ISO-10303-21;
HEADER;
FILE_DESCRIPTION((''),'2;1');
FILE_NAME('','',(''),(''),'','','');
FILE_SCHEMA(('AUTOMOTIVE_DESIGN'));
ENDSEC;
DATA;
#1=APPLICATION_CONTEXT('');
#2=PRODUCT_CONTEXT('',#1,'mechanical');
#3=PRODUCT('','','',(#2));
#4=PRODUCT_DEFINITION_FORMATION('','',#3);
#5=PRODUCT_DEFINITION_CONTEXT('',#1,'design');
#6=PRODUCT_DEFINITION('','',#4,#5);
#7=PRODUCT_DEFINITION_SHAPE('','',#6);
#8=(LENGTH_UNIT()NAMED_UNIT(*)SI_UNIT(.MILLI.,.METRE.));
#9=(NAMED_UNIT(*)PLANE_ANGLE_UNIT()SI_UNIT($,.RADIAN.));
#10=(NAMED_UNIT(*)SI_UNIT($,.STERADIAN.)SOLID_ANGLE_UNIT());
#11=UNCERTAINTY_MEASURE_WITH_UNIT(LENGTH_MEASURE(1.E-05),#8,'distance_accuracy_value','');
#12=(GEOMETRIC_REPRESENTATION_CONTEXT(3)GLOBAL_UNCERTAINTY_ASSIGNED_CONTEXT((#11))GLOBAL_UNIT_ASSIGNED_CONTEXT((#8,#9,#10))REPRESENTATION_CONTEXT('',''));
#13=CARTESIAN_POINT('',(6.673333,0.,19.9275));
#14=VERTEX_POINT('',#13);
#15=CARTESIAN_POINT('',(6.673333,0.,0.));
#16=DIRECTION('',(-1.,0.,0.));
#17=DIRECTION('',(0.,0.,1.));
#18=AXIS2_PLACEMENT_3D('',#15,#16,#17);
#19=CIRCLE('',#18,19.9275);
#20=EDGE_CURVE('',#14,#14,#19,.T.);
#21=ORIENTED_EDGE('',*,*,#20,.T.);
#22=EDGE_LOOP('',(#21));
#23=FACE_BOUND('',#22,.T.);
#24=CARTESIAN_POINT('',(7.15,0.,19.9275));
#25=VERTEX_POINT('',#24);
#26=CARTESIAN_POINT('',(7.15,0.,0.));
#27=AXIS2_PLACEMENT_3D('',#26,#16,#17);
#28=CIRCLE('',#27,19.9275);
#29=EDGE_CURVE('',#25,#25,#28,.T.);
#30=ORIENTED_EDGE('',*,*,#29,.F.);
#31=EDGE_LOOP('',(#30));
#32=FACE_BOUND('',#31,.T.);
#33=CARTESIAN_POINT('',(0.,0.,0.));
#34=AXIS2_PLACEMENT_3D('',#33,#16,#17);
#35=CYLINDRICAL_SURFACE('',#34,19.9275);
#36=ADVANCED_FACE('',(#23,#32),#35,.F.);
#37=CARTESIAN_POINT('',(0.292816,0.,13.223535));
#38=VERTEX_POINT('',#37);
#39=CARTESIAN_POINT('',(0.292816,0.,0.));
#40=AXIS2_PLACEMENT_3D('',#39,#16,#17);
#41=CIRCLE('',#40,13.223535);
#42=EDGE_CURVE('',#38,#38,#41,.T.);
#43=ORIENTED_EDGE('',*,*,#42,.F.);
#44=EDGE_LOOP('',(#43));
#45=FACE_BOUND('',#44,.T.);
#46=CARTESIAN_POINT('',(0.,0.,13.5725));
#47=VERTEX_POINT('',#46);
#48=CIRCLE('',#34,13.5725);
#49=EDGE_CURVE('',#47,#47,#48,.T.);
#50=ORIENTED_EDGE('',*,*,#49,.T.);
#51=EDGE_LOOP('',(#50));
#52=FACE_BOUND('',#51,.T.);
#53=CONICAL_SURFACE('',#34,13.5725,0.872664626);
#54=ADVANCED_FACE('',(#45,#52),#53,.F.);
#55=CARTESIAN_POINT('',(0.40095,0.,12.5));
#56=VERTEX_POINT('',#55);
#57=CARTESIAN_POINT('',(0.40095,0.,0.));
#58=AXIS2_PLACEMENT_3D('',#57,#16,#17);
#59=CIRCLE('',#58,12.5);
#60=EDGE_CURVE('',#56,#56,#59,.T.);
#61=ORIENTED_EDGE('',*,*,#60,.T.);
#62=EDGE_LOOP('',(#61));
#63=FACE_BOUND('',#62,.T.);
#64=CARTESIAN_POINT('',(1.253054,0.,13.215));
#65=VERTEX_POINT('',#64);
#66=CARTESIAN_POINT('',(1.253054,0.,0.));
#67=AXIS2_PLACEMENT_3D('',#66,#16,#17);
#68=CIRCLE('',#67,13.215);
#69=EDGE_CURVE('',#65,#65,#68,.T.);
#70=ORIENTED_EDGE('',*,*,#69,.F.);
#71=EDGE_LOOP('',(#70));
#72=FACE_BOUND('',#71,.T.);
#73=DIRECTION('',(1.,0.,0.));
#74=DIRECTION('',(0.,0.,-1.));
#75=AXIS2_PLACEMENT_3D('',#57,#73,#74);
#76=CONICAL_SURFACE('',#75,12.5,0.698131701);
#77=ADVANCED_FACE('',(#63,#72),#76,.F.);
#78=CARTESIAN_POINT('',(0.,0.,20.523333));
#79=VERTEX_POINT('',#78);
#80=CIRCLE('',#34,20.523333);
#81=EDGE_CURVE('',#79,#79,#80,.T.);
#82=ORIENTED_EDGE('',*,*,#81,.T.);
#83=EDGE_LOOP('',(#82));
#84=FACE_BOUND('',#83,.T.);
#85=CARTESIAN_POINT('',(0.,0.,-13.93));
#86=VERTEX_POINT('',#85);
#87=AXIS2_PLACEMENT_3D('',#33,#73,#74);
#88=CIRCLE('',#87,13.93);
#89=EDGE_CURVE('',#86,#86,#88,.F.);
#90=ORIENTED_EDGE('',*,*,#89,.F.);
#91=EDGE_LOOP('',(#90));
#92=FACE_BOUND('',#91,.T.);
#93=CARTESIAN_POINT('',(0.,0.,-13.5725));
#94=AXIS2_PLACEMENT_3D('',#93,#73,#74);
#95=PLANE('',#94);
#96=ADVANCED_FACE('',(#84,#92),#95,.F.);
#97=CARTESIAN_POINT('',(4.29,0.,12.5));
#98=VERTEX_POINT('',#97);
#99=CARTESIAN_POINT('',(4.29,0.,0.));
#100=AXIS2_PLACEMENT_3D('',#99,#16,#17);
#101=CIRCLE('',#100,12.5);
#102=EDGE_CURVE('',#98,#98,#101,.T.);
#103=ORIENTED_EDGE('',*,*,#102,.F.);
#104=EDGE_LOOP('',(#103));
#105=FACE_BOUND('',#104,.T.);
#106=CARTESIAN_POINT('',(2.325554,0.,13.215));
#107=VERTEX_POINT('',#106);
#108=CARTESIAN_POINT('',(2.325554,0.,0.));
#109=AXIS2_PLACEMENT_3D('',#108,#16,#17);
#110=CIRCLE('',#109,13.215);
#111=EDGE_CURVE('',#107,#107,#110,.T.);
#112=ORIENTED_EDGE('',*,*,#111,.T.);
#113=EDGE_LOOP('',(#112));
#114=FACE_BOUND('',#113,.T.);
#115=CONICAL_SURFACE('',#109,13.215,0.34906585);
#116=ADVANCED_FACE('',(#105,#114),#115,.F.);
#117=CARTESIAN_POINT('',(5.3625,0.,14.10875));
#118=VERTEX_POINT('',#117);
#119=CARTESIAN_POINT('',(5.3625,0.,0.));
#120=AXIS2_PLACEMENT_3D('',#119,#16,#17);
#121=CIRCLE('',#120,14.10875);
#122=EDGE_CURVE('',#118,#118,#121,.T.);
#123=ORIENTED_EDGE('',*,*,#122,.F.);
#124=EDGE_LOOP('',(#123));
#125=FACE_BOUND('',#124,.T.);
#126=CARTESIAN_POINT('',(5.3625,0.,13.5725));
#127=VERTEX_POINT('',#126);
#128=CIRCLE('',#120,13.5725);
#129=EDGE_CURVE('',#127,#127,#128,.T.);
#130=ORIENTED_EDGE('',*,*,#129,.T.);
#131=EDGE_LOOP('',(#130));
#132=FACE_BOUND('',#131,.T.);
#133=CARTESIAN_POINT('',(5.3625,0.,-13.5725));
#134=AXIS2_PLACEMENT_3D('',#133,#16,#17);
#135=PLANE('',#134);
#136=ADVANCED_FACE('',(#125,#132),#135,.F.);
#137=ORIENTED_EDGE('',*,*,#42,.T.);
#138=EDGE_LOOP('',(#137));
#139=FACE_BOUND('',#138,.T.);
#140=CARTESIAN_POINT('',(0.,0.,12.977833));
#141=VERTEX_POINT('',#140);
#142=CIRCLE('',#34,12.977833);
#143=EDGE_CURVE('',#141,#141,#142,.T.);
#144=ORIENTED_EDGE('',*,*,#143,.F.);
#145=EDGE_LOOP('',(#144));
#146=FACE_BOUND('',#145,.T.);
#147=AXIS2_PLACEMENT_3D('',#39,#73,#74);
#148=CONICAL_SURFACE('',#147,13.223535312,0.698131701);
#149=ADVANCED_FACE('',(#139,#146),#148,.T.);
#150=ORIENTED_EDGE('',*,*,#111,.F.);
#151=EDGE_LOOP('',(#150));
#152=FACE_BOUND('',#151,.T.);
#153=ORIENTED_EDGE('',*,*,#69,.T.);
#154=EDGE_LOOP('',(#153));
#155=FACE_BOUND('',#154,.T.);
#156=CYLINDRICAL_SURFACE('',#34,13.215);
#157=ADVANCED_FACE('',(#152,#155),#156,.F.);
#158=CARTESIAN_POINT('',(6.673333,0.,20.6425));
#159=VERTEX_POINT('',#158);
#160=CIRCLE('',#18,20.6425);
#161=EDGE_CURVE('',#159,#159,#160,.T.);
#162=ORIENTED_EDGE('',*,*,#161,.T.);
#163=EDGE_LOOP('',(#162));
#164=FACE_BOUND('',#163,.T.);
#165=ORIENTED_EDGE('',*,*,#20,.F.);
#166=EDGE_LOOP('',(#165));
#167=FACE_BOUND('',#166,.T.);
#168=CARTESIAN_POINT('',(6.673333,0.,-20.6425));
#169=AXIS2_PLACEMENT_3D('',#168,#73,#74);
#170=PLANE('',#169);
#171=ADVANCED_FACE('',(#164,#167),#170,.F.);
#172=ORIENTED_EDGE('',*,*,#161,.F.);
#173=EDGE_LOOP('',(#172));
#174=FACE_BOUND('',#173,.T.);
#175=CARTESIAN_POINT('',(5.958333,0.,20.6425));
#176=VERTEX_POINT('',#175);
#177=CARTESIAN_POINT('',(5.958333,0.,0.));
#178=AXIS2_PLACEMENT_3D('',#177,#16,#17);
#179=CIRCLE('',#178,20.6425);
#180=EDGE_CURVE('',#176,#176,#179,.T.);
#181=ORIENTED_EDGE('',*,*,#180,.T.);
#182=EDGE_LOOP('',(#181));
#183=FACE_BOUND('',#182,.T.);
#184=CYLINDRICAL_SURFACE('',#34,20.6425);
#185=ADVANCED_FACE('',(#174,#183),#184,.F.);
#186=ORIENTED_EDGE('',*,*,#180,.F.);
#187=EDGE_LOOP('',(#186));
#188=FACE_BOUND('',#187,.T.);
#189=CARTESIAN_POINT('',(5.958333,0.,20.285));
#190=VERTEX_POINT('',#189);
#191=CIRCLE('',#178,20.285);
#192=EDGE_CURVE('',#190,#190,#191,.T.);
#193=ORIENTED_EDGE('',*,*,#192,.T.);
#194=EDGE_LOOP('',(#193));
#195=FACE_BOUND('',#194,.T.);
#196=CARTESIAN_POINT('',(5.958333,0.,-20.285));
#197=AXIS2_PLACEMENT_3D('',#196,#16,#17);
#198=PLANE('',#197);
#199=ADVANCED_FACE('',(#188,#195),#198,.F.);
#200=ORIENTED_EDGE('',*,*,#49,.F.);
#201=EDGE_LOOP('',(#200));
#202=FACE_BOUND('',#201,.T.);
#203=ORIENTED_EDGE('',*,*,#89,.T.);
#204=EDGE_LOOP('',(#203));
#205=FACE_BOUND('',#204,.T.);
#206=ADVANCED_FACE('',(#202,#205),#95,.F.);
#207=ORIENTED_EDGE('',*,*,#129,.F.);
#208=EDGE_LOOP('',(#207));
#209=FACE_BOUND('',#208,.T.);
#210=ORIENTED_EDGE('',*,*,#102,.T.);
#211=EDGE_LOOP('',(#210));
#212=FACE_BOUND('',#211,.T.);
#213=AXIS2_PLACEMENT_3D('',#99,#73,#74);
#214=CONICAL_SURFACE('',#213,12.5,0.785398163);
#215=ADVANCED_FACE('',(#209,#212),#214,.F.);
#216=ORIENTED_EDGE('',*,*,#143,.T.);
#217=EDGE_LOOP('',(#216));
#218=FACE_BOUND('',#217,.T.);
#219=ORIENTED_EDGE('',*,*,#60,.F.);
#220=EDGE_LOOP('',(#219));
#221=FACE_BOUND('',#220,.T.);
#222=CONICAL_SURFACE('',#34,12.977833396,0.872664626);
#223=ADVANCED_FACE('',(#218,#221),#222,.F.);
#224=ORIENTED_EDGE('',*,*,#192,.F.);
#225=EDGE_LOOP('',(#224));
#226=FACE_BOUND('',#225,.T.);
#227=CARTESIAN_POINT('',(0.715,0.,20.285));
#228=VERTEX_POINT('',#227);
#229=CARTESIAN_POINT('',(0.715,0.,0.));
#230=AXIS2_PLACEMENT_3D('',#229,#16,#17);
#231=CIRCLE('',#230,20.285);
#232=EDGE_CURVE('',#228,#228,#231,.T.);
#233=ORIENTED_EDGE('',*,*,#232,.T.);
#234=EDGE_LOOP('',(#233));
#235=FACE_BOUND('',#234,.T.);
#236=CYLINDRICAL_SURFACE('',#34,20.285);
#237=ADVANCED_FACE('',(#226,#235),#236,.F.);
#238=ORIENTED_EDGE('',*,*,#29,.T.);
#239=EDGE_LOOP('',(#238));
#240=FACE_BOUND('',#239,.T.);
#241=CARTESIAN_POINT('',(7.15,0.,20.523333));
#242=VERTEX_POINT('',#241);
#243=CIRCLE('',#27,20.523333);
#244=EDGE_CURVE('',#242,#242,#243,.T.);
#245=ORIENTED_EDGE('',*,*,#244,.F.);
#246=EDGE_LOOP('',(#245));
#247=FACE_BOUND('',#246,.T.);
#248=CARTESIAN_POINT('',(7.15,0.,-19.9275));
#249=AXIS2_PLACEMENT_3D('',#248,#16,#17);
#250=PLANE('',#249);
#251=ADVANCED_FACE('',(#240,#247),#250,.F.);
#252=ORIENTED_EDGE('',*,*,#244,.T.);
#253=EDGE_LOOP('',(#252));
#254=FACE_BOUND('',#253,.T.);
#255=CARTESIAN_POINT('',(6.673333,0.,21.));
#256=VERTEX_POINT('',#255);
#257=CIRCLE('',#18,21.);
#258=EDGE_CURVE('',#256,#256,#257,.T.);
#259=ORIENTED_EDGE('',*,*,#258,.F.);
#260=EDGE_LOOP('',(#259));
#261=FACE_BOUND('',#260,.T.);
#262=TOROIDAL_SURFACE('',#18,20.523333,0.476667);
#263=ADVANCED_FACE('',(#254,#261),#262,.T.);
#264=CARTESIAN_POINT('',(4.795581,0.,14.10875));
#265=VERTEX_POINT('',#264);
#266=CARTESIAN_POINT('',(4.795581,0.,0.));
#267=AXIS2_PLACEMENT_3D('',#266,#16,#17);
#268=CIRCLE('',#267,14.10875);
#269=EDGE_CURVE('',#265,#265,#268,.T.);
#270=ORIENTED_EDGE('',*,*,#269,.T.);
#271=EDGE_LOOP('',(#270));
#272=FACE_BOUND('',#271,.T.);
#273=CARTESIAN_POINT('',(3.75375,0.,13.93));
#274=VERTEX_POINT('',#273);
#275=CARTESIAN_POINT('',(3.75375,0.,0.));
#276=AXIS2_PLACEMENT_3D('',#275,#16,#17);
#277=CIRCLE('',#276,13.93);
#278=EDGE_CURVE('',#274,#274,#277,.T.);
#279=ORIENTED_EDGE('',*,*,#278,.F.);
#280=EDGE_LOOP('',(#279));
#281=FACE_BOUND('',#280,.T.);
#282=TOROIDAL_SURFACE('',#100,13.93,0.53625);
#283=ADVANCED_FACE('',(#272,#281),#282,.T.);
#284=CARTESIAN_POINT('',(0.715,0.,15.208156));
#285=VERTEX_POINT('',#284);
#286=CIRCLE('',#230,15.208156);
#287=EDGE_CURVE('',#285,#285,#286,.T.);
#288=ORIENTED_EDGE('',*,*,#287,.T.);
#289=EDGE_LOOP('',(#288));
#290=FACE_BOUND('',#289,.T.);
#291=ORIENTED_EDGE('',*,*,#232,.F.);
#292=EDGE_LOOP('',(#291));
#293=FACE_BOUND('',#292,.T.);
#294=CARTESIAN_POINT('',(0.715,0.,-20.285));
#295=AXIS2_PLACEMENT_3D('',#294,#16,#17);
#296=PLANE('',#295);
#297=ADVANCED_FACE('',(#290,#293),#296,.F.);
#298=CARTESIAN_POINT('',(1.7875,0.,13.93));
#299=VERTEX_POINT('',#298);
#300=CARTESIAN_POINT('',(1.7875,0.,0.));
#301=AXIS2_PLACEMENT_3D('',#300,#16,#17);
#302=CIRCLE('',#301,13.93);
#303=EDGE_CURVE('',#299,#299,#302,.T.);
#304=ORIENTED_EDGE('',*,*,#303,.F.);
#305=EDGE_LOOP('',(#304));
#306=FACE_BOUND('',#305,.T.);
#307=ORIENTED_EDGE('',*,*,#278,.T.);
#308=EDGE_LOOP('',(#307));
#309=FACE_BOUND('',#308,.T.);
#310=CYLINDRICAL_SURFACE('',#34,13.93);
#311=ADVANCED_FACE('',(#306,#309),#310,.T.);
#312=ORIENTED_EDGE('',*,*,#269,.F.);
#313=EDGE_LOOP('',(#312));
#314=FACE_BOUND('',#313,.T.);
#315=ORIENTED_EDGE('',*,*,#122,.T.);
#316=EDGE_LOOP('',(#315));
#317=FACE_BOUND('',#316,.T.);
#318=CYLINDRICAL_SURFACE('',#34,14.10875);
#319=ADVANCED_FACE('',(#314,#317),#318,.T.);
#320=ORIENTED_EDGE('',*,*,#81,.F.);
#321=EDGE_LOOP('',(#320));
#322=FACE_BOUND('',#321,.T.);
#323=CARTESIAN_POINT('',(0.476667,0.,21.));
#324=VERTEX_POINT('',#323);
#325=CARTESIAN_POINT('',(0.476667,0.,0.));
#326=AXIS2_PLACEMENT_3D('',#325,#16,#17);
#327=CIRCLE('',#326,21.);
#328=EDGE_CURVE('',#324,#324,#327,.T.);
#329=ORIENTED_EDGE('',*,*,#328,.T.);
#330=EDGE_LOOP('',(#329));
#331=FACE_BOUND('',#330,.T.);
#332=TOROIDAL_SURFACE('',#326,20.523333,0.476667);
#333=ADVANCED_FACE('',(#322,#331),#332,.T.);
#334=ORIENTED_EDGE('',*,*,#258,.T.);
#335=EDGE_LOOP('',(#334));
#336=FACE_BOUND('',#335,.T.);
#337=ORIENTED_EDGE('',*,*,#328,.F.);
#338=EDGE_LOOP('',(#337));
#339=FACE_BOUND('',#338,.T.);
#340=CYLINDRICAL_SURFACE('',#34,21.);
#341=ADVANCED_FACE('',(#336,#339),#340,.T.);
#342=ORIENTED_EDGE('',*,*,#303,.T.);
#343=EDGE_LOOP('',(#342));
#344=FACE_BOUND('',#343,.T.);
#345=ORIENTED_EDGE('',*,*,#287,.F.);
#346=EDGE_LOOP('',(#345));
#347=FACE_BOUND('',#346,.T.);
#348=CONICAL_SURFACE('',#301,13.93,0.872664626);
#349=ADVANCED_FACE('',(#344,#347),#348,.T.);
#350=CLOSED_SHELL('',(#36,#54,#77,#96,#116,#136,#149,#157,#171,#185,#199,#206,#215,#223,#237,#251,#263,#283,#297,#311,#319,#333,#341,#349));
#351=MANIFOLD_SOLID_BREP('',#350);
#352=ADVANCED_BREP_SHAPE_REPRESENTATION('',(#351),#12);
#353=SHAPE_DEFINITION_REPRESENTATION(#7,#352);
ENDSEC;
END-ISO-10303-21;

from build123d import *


with BuildPart() as part:
    # Esquisse1 → Base-Révolution (revolve)
    with BuildSketch(Plane(origin=(0, 0, 0), x_dir=(1, 0, 0), z_dir=(0, 1, 0)), mode=Mode.PRIVATE) as base_r_volution_sk:
        with BuildLine():
            Line((0, 13.5725), (0, 20.523333333))
            ThreePointArc((0, 20.523333333), (0.139612434, 20.860387566), (0.476666667, 21))
            Line((0.476666667, 21), (6.673333333, 21))
            ThreePointArc((6.673333333, 21), (7.010387566, 20.860387566), (7.15, 20.523333333))
            Line((7.15, 20.523333333), (7.15, 19.9275))
            Line((7.15, 19.9275), (6.673333333, 19.9275))
            Line((6.673333333, 19.9275), (6.673333333, 20.6425))
            Line((6.673333333, 20.6425), (5.958333333, 20.6425))
            Line((5.958333333, 20.6425), (5.958333333, 20.285))
            Line((5.958333333, 20.285), (0.715, 20.285))
            Line((0.715, 20.285), (0.715, 15.208155728))
            Line((0.715, 15.208155728), (1.7875, 13.93))
            Line((1.7875, 13.93), (3.75375, 13.93))
            ThreePointArc((3.75375, 13.93), (4.199319064, 14.458527228), (4.795581349, 14.10875))
            Line((4.795581349, 14.10875), (5.3625, 14.10875))
            Line((5.3625, 14.10875), (5.3625, 13.5725))
            Line((5.3625, 13.5725), (4.29, 12.5))
            Line((4.29, 12.5), (2.325553645, 13.215))
            Line((2.325553645, 13.215), (1.253053645, 13.215))
            Line((1.253053645, 13.215), (0.400949826, 12.5))
            Line((0.400949826, 12.5), (0, 12.977833396))
            Line((0, 12.977833396), (0.292816141, 13.223535312))
            Line((0.292816141, 13.223535312), (0, 13.5725))
        make_face()
    revolve(base_r_volution_sk.sketch.rotate(Axis((0, 0, 0), (1, 0, 0)), 180), axis=Axis((0, 0, 0), (1, 0, 0)))


solid = part.part
